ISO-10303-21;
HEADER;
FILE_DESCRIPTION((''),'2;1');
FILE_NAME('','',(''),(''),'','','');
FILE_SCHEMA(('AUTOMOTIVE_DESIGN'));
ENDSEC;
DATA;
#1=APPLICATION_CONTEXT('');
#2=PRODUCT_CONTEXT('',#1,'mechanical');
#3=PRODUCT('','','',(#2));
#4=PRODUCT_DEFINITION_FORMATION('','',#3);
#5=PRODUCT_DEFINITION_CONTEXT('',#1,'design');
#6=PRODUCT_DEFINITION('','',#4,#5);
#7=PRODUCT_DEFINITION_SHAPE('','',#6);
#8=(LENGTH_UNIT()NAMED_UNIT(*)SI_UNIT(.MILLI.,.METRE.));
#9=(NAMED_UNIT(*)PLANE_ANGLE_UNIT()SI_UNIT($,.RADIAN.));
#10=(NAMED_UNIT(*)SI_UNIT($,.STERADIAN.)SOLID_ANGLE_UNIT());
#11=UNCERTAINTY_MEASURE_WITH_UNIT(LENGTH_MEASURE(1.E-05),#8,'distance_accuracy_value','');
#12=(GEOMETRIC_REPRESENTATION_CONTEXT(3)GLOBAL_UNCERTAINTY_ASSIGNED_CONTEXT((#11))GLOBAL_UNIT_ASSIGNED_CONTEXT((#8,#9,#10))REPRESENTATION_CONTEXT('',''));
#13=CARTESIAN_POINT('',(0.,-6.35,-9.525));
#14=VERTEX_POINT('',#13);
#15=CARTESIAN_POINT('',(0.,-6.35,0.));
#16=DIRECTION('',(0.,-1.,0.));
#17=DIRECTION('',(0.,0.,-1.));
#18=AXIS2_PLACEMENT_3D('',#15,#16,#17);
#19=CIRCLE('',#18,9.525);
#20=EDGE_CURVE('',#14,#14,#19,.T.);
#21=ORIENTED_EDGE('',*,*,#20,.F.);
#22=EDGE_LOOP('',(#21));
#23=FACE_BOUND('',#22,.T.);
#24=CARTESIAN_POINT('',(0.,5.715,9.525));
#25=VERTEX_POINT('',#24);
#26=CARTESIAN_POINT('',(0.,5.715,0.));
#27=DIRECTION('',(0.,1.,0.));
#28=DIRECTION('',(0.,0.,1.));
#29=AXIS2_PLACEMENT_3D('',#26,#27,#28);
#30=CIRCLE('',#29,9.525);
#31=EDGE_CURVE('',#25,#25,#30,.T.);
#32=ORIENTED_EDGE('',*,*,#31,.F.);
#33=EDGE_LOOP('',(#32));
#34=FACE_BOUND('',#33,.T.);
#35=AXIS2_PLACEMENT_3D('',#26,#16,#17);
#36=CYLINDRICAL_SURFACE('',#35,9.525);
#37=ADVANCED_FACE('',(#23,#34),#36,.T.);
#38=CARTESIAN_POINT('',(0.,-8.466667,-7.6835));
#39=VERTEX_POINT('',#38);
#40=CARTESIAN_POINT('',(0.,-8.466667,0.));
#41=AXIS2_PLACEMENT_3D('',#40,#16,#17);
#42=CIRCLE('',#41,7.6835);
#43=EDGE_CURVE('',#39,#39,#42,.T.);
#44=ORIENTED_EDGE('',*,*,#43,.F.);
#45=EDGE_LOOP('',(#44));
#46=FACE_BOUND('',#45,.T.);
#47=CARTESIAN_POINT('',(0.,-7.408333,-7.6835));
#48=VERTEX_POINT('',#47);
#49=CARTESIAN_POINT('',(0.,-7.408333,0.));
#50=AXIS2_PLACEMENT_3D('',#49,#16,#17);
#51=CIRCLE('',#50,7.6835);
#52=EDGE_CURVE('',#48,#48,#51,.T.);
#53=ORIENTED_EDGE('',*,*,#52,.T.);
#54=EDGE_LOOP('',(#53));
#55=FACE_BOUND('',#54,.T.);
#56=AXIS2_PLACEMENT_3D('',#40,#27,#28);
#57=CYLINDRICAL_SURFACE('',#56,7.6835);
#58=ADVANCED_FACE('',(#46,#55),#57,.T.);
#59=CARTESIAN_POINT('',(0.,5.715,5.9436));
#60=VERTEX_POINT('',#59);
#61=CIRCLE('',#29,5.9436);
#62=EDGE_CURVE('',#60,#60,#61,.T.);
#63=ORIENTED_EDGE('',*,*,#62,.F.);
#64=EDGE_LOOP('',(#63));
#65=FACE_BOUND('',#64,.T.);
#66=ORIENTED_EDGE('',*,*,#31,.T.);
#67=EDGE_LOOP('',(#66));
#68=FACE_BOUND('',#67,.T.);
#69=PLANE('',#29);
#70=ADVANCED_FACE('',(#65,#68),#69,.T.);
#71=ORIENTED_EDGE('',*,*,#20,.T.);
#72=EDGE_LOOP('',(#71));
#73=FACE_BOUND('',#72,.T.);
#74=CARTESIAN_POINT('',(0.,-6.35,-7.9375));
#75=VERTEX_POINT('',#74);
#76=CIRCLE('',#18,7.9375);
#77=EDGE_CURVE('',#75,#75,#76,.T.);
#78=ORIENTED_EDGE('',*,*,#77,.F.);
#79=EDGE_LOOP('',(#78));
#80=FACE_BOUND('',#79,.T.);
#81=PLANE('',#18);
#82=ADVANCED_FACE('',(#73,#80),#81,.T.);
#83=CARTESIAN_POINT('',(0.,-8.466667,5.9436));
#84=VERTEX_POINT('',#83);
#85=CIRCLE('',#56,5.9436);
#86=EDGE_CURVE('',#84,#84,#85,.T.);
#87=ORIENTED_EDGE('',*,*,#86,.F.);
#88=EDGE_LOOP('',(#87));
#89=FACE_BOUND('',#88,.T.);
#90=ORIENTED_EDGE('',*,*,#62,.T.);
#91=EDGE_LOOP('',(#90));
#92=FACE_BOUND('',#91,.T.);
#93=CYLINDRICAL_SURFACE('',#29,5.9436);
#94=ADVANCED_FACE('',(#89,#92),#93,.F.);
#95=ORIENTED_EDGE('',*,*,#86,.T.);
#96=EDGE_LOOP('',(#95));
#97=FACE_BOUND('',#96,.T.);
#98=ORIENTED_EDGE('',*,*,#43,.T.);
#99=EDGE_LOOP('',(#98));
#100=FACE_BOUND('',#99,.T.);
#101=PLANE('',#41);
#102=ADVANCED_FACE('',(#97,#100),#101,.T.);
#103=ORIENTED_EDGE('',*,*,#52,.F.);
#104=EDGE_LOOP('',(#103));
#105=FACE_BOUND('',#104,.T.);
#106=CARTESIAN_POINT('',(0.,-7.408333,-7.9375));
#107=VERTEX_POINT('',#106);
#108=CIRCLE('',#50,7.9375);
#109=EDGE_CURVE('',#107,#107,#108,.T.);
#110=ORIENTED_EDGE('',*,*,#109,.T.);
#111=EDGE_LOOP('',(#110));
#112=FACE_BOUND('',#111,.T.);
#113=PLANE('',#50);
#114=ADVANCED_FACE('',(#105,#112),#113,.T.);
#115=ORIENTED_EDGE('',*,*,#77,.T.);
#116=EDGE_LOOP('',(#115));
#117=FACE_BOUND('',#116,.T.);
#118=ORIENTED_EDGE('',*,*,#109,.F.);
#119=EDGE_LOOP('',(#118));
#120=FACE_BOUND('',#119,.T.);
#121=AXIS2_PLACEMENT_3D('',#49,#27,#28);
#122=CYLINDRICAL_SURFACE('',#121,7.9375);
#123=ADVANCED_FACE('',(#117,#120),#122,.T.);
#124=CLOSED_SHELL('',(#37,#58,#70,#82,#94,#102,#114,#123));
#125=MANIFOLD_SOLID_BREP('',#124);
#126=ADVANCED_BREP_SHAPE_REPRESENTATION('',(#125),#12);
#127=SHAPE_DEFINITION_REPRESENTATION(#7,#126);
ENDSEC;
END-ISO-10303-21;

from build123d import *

# Parameters (mm, degrees)
SKETCH1_R                    = 9.525
BOSS_EXTRUDE1_DEPTH          = 5.715
BOSS_EXTRUDE2_DEPTH          = 6.35
SKETCH3_R                    = 7.9375
BOSS_EXTRUDE3_DEPTH          = 1.058333333
SKETCH4_R                    = 7.6835
BOSS_EXTRUDE4_DEPTH          = 1.058333333
F_1_4_18_NPSM_TAPPED_HOLE2_D = 11.8872
SKETCH11_R                   = 10.998522628
SKETCH11_R_2                 = 9.525
CUT_EXTRUDE1_DEPTH           = 21.317795019


with BuildPart() as part:
    # Sketch1 → Boss-Extrude1 (new body)
    with BuildSketch(Plane(origin=(0, 0, 0), x_dir=(1, 0, 0), z_dir=(0, 1, 0))):
        with Locations(Location((0, 0, 0), (0, 0, 270))):
            Circle(SKETCH1_R)
    extrude(amount=BOSS_EXTRUDE1_DEPTH)

    # Sketch2 → Boss-Extrude2 (add)
    with BuildSketch(Plane.XZ):
        Polygon((0, -10.998522628), (9.525, -5.499261314), (9.525, 5.499261314), (0, 10.998522628), (-9.525, 5.499261314), (-9.525, -5.499261314), align=None)
    extrude(amount=BOSS_EXTRUDE2_DEPTH)

    # Sketch3 → Boss-Extrude3 (add)
    with BuildSketch(Plane.XZ.offset(6.35)):
        with Locations(Location((0, 0, 0), (0, 0, 270))):
            Circle(SKETCH3_R)
    extrude(amount=BOSS_EXTRUDE3_DEPTH)

    # Sketch4 → Boss-Extrude4 (add)
    with BuildSketch(Plane.XZ.offset(7.408333333)):
        with Locations(Location((0, 0, 0), (0, 0, 270))):
            Circle(SKETCH4_R)
    extrude(amount=BOSS_EXTRUDE4_DEPTH)

    # 1/4-18 NPSM Tapped Hole2 (through all)
    with Locations(Plane(origin=(0, 5.715, 0), x_dir=(1, 0, 0), z_dir=(0, 1, 0))):
        with Locations((0, 0)):
            Hole(F_1_4_18_NPSM_TAPPED_HOLE2_D / 2)

    # Sketch11 → Cut-Extrude1 (cut, through all)
    with BuildSketch(Plane(origin=(0, 5.715, 0), x_dir=(1, 0, 0), z_dir=(0, 1, 0))):
        Circle(SKETCH11_R)
        with Locations(Location((0, 0, 0), (0, 0, 90))):
            Circle(SKETCH11_R_2, mode=Mode.SUBTRACT)
    extrude(amount=-CUT_EXTRUDE1_DEPTH, mode=Mode.SUBTRACT)


solid = part.part
